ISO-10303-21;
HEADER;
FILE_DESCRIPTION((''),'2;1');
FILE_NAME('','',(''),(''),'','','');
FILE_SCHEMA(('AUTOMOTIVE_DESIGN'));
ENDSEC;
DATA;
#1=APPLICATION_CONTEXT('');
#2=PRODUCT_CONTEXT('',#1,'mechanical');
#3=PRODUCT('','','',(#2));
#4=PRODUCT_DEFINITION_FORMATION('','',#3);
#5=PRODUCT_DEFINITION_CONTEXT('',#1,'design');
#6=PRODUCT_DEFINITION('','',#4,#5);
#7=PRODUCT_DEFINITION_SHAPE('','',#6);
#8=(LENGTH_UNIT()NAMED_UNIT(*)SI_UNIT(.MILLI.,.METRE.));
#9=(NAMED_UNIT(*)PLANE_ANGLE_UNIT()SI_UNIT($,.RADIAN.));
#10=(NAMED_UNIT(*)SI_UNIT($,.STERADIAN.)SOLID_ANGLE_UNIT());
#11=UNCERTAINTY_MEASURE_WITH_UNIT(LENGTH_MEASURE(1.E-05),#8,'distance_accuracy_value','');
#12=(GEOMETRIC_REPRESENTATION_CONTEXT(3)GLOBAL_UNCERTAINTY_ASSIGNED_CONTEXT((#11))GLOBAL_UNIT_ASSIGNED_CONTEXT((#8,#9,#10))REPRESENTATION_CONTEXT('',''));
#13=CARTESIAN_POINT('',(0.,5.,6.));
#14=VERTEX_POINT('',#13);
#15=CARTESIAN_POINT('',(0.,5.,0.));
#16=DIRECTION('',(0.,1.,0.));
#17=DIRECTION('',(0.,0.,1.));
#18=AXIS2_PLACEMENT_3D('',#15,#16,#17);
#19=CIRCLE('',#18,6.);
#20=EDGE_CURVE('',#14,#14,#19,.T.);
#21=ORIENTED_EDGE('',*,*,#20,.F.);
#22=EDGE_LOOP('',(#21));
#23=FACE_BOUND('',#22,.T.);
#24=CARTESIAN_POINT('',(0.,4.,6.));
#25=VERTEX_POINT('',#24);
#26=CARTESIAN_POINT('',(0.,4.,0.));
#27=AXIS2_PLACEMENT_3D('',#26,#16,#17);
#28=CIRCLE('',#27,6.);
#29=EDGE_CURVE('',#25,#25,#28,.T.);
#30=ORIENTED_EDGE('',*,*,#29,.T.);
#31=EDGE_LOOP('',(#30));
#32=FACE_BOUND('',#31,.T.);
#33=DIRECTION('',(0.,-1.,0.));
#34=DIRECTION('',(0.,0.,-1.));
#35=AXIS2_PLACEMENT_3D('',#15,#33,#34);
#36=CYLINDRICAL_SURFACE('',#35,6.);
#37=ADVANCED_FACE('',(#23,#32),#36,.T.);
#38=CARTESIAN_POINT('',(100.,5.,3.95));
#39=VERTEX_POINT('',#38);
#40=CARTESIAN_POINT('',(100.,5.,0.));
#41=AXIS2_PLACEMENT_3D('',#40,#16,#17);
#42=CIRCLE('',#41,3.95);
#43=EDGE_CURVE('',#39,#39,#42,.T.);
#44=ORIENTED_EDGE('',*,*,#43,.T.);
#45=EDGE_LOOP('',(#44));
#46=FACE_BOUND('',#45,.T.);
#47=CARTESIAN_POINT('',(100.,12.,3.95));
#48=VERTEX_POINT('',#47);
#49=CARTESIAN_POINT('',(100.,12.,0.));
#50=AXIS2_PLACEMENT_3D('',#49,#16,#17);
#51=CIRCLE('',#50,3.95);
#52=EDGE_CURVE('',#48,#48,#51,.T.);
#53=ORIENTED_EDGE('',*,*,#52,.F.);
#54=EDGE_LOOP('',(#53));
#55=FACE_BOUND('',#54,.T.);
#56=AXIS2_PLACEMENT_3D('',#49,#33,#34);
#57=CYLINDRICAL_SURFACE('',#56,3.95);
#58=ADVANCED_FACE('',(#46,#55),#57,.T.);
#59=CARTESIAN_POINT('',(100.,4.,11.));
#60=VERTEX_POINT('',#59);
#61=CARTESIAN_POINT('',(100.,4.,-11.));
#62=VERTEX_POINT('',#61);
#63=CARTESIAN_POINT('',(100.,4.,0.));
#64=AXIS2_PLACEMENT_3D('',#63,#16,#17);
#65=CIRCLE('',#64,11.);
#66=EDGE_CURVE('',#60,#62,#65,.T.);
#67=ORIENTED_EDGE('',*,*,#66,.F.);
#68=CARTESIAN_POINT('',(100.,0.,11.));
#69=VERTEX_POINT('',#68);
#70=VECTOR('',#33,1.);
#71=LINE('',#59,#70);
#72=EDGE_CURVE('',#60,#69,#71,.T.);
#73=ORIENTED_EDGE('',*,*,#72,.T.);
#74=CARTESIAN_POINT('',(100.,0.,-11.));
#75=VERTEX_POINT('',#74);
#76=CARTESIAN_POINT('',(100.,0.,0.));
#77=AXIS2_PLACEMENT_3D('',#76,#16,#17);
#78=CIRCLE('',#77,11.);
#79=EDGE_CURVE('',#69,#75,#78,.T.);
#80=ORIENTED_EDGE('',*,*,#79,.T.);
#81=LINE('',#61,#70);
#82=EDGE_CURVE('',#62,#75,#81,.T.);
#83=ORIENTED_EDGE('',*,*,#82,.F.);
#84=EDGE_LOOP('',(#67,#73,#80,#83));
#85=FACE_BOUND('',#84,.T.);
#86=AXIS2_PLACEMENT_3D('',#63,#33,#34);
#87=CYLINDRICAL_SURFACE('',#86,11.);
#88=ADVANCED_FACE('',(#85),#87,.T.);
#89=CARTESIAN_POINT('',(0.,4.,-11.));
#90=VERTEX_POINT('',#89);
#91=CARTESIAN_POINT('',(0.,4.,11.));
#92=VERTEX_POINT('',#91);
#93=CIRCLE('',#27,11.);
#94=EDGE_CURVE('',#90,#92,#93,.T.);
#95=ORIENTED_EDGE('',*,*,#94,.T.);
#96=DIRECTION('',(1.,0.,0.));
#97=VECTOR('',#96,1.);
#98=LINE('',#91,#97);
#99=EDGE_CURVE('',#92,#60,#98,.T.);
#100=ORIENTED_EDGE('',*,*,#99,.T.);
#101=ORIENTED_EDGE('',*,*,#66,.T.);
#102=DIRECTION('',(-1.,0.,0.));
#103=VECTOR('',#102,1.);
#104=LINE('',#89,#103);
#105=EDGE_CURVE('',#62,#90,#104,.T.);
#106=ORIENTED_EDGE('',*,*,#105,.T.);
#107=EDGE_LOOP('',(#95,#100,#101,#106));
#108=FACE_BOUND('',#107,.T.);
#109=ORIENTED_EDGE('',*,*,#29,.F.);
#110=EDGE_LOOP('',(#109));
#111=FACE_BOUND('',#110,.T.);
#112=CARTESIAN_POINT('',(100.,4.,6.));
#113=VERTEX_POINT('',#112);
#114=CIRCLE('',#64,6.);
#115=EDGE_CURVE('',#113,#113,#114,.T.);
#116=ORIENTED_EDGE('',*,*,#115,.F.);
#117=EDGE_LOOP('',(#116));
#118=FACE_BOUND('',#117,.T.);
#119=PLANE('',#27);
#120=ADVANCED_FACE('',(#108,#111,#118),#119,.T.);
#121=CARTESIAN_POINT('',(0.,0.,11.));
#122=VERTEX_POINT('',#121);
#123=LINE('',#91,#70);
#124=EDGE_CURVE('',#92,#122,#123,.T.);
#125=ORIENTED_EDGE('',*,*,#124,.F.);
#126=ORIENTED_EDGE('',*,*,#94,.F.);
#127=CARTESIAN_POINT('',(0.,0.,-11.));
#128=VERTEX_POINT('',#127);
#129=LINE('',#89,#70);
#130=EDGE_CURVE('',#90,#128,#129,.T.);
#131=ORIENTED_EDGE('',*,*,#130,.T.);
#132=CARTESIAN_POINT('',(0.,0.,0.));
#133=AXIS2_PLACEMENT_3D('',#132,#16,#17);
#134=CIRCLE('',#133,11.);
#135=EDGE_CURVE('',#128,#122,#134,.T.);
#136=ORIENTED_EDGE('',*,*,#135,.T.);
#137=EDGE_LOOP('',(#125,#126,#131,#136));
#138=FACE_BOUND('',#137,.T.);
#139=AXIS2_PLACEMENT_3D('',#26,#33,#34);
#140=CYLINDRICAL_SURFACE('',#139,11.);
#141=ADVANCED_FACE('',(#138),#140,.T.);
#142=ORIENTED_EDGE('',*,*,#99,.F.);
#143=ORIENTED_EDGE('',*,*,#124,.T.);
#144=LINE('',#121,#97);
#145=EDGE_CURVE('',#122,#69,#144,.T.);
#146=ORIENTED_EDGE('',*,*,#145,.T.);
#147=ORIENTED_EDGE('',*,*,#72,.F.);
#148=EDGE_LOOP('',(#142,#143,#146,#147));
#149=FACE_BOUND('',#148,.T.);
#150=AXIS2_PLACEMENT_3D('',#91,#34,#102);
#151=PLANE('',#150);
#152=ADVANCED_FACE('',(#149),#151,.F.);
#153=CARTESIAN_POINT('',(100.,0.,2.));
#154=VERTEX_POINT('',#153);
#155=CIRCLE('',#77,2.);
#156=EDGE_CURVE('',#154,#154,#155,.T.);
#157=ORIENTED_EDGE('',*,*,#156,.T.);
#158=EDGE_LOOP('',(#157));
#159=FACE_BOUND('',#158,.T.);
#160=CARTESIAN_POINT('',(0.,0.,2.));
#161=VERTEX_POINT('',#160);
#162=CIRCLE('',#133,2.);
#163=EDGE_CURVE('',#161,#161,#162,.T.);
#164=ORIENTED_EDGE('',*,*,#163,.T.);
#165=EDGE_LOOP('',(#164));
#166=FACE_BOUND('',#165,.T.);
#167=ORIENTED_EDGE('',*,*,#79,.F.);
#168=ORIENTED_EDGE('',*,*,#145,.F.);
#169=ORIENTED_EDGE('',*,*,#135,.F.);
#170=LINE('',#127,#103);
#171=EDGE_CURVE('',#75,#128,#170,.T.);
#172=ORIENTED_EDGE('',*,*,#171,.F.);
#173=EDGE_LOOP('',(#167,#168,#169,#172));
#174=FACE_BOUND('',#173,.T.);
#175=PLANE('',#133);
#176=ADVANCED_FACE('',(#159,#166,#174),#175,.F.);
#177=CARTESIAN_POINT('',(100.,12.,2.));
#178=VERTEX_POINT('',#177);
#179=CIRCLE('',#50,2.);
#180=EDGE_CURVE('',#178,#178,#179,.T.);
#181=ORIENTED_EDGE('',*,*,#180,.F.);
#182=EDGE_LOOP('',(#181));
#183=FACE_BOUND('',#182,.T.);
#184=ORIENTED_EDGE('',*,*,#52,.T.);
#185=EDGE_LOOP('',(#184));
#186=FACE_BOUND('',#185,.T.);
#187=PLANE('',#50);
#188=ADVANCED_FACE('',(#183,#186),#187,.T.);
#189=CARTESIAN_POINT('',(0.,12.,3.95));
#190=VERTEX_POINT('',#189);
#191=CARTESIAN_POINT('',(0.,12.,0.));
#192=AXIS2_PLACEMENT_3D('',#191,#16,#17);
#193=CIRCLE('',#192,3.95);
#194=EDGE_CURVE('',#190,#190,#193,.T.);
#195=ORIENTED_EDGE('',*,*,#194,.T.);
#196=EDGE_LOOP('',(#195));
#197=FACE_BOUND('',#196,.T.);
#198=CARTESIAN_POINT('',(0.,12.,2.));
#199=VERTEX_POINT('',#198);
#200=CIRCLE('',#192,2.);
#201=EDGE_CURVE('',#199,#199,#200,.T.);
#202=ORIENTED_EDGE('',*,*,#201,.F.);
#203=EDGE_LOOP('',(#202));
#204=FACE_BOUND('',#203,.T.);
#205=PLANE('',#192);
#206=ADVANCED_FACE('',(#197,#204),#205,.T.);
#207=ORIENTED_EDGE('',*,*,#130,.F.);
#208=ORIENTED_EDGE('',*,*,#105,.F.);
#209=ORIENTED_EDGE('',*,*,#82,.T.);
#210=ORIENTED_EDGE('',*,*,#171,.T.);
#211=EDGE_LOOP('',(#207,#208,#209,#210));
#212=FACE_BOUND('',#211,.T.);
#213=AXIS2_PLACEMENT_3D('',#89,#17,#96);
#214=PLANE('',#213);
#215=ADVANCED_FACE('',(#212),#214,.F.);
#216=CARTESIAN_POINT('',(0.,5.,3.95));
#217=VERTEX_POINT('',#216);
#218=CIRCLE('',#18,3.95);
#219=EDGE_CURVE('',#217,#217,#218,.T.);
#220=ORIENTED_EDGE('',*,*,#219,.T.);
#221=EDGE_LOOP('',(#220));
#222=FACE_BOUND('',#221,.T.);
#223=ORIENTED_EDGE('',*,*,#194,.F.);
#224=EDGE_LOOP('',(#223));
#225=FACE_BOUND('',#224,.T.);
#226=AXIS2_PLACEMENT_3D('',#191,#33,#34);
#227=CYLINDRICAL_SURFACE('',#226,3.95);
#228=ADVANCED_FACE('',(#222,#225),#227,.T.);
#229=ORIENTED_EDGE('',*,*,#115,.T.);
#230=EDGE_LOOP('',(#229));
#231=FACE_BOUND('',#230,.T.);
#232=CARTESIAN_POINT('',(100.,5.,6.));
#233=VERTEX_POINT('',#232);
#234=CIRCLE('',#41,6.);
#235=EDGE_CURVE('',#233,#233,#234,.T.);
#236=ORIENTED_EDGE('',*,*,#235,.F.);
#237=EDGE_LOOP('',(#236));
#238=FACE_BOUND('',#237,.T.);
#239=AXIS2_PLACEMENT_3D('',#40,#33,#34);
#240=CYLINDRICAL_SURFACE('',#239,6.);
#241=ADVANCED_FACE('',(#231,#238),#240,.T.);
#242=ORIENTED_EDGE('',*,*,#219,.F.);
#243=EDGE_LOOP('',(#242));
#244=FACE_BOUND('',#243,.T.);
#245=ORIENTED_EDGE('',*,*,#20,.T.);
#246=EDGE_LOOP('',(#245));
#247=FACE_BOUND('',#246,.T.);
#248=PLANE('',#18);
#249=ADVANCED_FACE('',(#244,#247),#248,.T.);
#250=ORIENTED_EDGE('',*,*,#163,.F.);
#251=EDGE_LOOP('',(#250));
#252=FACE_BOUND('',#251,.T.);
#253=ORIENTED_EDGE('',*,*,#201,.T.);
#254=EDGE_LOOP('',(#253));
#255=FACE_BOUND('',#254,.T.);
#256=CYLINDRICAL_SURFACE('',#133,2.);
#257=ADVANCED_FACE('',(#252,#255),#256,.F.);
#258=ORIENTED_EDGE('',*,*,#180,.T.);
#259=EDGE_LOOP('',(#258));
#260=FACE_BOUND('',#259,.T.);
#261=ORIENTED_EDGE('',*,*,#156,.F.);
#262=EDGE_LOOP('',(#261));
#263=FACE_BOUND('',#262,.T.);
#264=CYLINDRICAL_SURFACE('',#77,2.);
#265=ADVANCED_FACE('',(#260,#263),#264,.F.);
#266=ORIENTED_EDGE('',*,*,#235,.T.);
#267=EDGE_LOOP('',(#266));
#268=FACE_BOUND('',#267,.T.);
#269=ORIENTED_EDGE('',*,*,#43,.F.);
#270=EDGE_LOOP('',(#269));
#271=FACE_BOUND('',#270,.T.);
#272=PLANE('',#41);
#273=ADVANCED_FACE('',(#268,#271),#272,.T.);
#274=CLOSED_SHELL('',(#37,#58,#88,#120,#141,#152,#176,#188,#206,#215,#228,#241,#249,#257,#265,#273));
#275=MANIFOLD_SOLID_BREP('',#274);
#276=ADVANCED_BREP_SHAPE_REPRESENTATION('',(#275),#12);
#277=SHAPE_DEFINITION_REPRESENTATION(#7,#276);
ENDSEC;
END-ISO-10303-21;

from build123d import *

# Parameters (mm, degrees)
BOSS_EXTRUDE1_DEPTH = 4
SKETCH2_R           = 6
BOSS_EXTRUDE2_DEPTH = 1
SKETCH3_R           = 3.95
BOSS_EXTRUDE3_DEPTH = 7
SKETCH4_R           = 2
CUT_EXTRUDE1_DEPTH  = 113.187343315


with BuildPart() as part:
    # Sketch1 → Boss-Extrude1 (new body)
    with BuildSketch(Plane(origin=(0, 0, 0), x_dir=(1, 0, 0), z_dir=(0, 1, 0))):
        with BuildLine():
            Line((0, 11), (100, 11))
            ThreePointArc((100, 11), (111, 0), (100, -11))
            Line((100, -11), (0, -11))
            ThreePointArc((0, -11), (-11, 0), (0, 11))
        make_face()
    extrude(amount=BOSS_EXTRUDE1_DEPTH)

    # Sketch2 → Boss-Extrude2 (add)
    with BuildSketch(Plane(origin=(0, 4, 0), x_dir=(1, 0, 0), z_dir=(0, 1, 0))):
        with Locations(Location((0, 0, 0), (0, 0, 270))):
            Circle(SKETCH2_R)
        with Locations(Location((100, 0, 0), (0, 0, 270))):
            Circle(SKETCH2_R)
    extrude(amount=BOSS_EXTRUDE2_DEPTH)

    # Sketch3 → Boss-Extrude3 (add)
    with BuildSketch(Plane(origin=(0, 5, 0), x_dir=(1, 0, 0), z_dir=(0, 1, 0))):
        with Locations(Location((0, 0, 0), (0, 0, 270))):
            Circle(SKETCH3_R)
        with Locations(Location((100, 0, 0), (0, 0, 270))):
            Circle(SKETCH3_R)
    extrude(amount=BOSS_EXTRUDE3_DEPTH)

    # Sketch4 → Cut-Extrude1 (cut, through all)
    with BuildSketch(Plane(origin=(0, 12, 0), x_dir=(1, 0, 0), z_dir=(0, 1, 0))):
        with Locations(Location((0, 0, 0), (0, 0, 270))):
            Circle(SKETCH4_R)
        with Locations(Location((100, 0, 0), (0, 0, 270))):
            Circle(SKETCH4_R)
    extrude(amount=-CUT_EXTRUDE1_DEPTH, mode=Mode.SUBTRACT)


solid = part.part
